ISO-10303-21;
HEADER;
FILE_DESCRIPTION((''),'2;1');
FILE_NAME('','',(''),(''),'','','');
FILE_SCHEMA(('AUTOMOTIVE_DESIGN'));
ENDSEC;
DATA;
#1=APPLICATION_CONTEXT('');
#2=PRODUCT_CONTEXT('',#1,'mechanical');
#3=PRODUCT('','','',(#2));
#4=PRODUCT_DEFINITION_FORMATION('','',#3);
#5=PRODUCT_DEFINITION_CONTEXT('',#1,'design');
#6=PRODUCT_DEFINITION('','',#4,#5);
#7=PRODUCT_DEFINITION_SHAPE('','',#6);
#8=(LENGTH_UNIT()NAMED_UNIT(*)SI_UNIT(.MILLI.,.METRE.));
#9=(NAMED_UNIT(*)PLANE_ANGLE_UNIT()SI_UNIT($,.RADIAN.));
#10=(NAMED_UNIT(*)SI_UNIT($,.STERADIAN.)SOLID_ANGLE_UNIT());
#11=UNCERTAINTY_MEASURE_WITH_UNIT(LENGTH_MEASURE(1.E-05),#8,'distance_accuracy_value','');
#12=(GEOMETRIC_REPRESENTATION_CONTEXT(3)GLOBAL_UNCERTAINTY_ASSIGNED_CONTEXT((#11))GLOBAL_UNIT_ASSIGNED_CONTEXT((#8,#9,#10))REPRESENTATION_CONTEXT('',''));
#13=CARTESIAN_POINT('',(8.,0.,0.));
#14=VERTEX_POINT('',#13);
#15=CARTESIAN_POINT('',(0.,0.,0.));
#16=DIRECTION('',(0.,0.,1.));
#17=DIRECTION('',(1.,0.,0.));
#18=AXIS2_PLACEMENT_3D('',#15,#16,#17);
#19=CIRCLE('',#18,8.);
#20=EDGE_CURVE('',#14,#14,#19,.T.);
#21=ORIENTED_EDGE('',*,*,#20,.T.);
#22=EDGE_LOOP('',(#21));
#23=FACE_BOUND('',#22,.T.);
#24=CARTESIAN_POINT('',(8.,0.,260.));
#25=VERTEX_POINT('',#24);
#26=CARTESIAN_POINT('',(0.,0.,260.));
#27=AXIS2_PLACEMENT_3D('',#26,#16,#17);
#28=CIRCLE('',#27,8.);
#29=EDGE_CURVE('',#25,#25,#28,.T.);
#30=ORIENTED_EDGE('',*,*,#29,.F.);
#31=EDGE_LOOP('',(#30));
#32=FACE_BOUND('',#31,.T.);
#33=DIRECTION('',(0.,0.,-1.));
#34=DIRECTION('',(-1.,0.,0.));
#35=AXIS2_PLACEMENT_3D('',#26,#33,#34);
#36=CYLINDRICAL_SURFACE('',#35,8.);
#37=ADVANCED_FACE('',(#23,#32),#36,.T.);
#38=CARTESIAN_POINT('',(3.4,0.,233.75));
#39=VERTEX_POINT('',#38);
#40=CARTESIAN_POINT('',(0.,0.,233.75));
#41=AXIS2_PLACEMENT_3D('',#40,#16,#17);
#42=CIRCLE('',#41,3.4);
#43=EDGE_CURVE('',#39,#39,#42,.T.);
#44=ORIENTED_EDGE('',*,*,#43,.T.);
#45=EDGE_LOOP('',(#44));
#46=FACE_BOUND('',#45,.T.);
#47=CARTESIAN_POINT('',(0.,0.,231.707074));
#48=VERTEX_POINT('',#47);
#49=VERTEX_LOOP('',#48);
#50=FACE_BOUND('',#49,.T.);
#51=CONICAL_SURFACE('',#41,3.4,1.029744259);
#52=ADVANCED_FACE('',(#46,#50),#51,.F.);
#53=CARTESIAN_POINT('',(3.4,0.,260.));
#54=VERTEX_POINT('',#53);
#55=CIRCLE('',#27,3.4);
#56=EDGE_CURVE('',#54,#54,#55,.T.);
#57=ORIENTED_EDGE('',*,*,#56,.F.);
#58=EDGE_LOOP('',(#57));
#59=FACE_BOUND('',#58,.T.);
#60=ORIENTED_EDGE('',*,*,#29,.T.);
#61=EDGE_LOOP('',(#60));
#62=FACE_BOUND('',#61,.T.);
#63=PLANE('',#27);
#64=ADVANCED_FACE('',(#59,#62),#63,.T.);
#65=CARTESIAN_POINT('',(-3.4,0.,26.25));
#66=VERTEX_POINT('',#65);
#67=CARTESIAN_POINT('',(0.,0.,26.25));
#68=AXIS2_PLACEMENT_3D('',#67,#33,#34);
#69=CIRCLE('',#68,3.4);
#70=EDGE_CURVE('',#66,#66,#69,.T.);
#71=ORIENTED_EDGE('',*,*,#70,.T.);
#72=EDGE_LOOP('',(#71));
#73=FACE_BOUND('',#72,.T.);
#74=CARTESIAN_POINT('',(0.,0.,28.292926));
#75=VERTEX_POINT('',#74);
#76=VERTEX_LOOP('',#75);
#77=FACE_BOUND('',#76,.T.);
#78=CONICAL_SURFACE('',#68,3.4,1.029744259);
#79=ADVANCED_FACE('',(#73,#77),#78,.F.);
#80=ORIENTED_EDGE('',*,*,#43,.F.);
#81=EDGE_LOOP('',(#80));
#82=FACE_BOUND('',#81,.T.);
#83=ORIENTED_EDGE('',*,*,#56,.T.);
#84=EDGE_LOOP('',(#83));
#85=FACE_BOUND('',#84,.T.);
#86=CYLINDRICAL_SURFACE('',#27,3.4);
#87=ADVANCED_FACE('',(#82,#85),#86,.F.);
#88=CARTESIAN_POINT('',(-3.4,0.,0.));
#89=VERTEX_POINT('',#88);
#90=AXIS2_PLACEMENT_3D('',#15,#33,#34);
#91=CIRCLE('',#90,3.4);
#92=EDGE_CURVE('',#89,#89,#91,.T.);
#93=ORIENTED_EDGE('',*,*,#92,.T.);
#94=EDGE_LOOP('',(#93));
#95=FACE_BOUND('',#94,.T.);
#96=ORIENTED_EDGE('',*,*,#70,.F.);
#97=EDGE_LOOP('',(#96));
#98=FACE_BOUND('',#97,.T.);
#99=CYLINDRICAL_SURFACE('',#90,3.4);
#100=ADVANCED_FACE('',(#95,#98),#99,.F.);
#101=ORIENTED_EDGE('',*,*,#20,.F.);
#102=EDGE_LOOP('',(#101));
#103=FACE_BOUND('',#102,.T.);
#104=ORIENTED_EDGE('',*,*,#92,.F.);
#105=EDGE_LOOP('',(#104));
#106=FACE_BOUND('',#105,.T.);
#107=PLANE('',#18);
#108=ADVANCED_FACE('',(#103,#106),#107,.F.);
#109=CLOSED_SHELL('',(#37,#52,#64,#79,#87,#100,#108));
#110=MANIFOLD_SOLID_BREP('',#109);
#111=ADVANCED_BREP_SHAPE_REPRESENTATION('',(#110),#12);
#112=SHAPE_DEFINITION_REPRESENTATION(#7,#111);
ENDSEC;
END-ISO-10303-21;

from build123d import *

# Parameters (mm, degrees)
SKETCH_1_R             = 8
EXTRUDE_1_DEPTH        = 260
HOLE_WIZARD_M8_2_D     = 6.8
HOLE_WIZARD_M8_2_DEPTH = 26.25
HOLE_WIZARD_M8_2_TIP   = 2.042926105


with BuildPart() as part:
    # 草图1 → 凸台-拉伸1 (new body)
    with BuildSketch(Plane.XY):
        Circle(SKETCH_1_R)
    extrude(amount=EXTRUDE_1_DEPTH)

    # 草图5 → M8 螺纹孔1 (revolve, cut)
    with BuildSketch(Plane(origin=(0, 0, 260), x_dir=(0, -1, 0), z_dir=(1, 0, 0))):
        Polygon((0, 0), (0, 28.292926105), (3.4, 26.25), (3.4, 0), align=None)
    revolve(axis=Axis((0, 0, 266.35), (0, 0, -1)), mode=Mode.SUBTRACT)

    # M8 螺纹孔2
    with Locations(Plane(origin=(0, 0, 0), x_dir=(-1, 0, 0), z_dir=(0, 0, -1))):
        with Locations((0, 0)):
            Hole(HOLE_WIZARD_M8_2_D / 2, depth=HOLE_WIZARD_M8_2_DEPTH)
            with Locations((0, 0, -(HOLE_WIZARD_M8_2_DEPTH + HOLE_WIZARD_M8_2_TIP / 2))):  # 118° drill point
                Cone(0, HOLE_WIZARD_M8_2_D / 2, HOLE_WIZARD_M8_2_TIP, mode=Mode.SUBTRACT)


solid = part.part
